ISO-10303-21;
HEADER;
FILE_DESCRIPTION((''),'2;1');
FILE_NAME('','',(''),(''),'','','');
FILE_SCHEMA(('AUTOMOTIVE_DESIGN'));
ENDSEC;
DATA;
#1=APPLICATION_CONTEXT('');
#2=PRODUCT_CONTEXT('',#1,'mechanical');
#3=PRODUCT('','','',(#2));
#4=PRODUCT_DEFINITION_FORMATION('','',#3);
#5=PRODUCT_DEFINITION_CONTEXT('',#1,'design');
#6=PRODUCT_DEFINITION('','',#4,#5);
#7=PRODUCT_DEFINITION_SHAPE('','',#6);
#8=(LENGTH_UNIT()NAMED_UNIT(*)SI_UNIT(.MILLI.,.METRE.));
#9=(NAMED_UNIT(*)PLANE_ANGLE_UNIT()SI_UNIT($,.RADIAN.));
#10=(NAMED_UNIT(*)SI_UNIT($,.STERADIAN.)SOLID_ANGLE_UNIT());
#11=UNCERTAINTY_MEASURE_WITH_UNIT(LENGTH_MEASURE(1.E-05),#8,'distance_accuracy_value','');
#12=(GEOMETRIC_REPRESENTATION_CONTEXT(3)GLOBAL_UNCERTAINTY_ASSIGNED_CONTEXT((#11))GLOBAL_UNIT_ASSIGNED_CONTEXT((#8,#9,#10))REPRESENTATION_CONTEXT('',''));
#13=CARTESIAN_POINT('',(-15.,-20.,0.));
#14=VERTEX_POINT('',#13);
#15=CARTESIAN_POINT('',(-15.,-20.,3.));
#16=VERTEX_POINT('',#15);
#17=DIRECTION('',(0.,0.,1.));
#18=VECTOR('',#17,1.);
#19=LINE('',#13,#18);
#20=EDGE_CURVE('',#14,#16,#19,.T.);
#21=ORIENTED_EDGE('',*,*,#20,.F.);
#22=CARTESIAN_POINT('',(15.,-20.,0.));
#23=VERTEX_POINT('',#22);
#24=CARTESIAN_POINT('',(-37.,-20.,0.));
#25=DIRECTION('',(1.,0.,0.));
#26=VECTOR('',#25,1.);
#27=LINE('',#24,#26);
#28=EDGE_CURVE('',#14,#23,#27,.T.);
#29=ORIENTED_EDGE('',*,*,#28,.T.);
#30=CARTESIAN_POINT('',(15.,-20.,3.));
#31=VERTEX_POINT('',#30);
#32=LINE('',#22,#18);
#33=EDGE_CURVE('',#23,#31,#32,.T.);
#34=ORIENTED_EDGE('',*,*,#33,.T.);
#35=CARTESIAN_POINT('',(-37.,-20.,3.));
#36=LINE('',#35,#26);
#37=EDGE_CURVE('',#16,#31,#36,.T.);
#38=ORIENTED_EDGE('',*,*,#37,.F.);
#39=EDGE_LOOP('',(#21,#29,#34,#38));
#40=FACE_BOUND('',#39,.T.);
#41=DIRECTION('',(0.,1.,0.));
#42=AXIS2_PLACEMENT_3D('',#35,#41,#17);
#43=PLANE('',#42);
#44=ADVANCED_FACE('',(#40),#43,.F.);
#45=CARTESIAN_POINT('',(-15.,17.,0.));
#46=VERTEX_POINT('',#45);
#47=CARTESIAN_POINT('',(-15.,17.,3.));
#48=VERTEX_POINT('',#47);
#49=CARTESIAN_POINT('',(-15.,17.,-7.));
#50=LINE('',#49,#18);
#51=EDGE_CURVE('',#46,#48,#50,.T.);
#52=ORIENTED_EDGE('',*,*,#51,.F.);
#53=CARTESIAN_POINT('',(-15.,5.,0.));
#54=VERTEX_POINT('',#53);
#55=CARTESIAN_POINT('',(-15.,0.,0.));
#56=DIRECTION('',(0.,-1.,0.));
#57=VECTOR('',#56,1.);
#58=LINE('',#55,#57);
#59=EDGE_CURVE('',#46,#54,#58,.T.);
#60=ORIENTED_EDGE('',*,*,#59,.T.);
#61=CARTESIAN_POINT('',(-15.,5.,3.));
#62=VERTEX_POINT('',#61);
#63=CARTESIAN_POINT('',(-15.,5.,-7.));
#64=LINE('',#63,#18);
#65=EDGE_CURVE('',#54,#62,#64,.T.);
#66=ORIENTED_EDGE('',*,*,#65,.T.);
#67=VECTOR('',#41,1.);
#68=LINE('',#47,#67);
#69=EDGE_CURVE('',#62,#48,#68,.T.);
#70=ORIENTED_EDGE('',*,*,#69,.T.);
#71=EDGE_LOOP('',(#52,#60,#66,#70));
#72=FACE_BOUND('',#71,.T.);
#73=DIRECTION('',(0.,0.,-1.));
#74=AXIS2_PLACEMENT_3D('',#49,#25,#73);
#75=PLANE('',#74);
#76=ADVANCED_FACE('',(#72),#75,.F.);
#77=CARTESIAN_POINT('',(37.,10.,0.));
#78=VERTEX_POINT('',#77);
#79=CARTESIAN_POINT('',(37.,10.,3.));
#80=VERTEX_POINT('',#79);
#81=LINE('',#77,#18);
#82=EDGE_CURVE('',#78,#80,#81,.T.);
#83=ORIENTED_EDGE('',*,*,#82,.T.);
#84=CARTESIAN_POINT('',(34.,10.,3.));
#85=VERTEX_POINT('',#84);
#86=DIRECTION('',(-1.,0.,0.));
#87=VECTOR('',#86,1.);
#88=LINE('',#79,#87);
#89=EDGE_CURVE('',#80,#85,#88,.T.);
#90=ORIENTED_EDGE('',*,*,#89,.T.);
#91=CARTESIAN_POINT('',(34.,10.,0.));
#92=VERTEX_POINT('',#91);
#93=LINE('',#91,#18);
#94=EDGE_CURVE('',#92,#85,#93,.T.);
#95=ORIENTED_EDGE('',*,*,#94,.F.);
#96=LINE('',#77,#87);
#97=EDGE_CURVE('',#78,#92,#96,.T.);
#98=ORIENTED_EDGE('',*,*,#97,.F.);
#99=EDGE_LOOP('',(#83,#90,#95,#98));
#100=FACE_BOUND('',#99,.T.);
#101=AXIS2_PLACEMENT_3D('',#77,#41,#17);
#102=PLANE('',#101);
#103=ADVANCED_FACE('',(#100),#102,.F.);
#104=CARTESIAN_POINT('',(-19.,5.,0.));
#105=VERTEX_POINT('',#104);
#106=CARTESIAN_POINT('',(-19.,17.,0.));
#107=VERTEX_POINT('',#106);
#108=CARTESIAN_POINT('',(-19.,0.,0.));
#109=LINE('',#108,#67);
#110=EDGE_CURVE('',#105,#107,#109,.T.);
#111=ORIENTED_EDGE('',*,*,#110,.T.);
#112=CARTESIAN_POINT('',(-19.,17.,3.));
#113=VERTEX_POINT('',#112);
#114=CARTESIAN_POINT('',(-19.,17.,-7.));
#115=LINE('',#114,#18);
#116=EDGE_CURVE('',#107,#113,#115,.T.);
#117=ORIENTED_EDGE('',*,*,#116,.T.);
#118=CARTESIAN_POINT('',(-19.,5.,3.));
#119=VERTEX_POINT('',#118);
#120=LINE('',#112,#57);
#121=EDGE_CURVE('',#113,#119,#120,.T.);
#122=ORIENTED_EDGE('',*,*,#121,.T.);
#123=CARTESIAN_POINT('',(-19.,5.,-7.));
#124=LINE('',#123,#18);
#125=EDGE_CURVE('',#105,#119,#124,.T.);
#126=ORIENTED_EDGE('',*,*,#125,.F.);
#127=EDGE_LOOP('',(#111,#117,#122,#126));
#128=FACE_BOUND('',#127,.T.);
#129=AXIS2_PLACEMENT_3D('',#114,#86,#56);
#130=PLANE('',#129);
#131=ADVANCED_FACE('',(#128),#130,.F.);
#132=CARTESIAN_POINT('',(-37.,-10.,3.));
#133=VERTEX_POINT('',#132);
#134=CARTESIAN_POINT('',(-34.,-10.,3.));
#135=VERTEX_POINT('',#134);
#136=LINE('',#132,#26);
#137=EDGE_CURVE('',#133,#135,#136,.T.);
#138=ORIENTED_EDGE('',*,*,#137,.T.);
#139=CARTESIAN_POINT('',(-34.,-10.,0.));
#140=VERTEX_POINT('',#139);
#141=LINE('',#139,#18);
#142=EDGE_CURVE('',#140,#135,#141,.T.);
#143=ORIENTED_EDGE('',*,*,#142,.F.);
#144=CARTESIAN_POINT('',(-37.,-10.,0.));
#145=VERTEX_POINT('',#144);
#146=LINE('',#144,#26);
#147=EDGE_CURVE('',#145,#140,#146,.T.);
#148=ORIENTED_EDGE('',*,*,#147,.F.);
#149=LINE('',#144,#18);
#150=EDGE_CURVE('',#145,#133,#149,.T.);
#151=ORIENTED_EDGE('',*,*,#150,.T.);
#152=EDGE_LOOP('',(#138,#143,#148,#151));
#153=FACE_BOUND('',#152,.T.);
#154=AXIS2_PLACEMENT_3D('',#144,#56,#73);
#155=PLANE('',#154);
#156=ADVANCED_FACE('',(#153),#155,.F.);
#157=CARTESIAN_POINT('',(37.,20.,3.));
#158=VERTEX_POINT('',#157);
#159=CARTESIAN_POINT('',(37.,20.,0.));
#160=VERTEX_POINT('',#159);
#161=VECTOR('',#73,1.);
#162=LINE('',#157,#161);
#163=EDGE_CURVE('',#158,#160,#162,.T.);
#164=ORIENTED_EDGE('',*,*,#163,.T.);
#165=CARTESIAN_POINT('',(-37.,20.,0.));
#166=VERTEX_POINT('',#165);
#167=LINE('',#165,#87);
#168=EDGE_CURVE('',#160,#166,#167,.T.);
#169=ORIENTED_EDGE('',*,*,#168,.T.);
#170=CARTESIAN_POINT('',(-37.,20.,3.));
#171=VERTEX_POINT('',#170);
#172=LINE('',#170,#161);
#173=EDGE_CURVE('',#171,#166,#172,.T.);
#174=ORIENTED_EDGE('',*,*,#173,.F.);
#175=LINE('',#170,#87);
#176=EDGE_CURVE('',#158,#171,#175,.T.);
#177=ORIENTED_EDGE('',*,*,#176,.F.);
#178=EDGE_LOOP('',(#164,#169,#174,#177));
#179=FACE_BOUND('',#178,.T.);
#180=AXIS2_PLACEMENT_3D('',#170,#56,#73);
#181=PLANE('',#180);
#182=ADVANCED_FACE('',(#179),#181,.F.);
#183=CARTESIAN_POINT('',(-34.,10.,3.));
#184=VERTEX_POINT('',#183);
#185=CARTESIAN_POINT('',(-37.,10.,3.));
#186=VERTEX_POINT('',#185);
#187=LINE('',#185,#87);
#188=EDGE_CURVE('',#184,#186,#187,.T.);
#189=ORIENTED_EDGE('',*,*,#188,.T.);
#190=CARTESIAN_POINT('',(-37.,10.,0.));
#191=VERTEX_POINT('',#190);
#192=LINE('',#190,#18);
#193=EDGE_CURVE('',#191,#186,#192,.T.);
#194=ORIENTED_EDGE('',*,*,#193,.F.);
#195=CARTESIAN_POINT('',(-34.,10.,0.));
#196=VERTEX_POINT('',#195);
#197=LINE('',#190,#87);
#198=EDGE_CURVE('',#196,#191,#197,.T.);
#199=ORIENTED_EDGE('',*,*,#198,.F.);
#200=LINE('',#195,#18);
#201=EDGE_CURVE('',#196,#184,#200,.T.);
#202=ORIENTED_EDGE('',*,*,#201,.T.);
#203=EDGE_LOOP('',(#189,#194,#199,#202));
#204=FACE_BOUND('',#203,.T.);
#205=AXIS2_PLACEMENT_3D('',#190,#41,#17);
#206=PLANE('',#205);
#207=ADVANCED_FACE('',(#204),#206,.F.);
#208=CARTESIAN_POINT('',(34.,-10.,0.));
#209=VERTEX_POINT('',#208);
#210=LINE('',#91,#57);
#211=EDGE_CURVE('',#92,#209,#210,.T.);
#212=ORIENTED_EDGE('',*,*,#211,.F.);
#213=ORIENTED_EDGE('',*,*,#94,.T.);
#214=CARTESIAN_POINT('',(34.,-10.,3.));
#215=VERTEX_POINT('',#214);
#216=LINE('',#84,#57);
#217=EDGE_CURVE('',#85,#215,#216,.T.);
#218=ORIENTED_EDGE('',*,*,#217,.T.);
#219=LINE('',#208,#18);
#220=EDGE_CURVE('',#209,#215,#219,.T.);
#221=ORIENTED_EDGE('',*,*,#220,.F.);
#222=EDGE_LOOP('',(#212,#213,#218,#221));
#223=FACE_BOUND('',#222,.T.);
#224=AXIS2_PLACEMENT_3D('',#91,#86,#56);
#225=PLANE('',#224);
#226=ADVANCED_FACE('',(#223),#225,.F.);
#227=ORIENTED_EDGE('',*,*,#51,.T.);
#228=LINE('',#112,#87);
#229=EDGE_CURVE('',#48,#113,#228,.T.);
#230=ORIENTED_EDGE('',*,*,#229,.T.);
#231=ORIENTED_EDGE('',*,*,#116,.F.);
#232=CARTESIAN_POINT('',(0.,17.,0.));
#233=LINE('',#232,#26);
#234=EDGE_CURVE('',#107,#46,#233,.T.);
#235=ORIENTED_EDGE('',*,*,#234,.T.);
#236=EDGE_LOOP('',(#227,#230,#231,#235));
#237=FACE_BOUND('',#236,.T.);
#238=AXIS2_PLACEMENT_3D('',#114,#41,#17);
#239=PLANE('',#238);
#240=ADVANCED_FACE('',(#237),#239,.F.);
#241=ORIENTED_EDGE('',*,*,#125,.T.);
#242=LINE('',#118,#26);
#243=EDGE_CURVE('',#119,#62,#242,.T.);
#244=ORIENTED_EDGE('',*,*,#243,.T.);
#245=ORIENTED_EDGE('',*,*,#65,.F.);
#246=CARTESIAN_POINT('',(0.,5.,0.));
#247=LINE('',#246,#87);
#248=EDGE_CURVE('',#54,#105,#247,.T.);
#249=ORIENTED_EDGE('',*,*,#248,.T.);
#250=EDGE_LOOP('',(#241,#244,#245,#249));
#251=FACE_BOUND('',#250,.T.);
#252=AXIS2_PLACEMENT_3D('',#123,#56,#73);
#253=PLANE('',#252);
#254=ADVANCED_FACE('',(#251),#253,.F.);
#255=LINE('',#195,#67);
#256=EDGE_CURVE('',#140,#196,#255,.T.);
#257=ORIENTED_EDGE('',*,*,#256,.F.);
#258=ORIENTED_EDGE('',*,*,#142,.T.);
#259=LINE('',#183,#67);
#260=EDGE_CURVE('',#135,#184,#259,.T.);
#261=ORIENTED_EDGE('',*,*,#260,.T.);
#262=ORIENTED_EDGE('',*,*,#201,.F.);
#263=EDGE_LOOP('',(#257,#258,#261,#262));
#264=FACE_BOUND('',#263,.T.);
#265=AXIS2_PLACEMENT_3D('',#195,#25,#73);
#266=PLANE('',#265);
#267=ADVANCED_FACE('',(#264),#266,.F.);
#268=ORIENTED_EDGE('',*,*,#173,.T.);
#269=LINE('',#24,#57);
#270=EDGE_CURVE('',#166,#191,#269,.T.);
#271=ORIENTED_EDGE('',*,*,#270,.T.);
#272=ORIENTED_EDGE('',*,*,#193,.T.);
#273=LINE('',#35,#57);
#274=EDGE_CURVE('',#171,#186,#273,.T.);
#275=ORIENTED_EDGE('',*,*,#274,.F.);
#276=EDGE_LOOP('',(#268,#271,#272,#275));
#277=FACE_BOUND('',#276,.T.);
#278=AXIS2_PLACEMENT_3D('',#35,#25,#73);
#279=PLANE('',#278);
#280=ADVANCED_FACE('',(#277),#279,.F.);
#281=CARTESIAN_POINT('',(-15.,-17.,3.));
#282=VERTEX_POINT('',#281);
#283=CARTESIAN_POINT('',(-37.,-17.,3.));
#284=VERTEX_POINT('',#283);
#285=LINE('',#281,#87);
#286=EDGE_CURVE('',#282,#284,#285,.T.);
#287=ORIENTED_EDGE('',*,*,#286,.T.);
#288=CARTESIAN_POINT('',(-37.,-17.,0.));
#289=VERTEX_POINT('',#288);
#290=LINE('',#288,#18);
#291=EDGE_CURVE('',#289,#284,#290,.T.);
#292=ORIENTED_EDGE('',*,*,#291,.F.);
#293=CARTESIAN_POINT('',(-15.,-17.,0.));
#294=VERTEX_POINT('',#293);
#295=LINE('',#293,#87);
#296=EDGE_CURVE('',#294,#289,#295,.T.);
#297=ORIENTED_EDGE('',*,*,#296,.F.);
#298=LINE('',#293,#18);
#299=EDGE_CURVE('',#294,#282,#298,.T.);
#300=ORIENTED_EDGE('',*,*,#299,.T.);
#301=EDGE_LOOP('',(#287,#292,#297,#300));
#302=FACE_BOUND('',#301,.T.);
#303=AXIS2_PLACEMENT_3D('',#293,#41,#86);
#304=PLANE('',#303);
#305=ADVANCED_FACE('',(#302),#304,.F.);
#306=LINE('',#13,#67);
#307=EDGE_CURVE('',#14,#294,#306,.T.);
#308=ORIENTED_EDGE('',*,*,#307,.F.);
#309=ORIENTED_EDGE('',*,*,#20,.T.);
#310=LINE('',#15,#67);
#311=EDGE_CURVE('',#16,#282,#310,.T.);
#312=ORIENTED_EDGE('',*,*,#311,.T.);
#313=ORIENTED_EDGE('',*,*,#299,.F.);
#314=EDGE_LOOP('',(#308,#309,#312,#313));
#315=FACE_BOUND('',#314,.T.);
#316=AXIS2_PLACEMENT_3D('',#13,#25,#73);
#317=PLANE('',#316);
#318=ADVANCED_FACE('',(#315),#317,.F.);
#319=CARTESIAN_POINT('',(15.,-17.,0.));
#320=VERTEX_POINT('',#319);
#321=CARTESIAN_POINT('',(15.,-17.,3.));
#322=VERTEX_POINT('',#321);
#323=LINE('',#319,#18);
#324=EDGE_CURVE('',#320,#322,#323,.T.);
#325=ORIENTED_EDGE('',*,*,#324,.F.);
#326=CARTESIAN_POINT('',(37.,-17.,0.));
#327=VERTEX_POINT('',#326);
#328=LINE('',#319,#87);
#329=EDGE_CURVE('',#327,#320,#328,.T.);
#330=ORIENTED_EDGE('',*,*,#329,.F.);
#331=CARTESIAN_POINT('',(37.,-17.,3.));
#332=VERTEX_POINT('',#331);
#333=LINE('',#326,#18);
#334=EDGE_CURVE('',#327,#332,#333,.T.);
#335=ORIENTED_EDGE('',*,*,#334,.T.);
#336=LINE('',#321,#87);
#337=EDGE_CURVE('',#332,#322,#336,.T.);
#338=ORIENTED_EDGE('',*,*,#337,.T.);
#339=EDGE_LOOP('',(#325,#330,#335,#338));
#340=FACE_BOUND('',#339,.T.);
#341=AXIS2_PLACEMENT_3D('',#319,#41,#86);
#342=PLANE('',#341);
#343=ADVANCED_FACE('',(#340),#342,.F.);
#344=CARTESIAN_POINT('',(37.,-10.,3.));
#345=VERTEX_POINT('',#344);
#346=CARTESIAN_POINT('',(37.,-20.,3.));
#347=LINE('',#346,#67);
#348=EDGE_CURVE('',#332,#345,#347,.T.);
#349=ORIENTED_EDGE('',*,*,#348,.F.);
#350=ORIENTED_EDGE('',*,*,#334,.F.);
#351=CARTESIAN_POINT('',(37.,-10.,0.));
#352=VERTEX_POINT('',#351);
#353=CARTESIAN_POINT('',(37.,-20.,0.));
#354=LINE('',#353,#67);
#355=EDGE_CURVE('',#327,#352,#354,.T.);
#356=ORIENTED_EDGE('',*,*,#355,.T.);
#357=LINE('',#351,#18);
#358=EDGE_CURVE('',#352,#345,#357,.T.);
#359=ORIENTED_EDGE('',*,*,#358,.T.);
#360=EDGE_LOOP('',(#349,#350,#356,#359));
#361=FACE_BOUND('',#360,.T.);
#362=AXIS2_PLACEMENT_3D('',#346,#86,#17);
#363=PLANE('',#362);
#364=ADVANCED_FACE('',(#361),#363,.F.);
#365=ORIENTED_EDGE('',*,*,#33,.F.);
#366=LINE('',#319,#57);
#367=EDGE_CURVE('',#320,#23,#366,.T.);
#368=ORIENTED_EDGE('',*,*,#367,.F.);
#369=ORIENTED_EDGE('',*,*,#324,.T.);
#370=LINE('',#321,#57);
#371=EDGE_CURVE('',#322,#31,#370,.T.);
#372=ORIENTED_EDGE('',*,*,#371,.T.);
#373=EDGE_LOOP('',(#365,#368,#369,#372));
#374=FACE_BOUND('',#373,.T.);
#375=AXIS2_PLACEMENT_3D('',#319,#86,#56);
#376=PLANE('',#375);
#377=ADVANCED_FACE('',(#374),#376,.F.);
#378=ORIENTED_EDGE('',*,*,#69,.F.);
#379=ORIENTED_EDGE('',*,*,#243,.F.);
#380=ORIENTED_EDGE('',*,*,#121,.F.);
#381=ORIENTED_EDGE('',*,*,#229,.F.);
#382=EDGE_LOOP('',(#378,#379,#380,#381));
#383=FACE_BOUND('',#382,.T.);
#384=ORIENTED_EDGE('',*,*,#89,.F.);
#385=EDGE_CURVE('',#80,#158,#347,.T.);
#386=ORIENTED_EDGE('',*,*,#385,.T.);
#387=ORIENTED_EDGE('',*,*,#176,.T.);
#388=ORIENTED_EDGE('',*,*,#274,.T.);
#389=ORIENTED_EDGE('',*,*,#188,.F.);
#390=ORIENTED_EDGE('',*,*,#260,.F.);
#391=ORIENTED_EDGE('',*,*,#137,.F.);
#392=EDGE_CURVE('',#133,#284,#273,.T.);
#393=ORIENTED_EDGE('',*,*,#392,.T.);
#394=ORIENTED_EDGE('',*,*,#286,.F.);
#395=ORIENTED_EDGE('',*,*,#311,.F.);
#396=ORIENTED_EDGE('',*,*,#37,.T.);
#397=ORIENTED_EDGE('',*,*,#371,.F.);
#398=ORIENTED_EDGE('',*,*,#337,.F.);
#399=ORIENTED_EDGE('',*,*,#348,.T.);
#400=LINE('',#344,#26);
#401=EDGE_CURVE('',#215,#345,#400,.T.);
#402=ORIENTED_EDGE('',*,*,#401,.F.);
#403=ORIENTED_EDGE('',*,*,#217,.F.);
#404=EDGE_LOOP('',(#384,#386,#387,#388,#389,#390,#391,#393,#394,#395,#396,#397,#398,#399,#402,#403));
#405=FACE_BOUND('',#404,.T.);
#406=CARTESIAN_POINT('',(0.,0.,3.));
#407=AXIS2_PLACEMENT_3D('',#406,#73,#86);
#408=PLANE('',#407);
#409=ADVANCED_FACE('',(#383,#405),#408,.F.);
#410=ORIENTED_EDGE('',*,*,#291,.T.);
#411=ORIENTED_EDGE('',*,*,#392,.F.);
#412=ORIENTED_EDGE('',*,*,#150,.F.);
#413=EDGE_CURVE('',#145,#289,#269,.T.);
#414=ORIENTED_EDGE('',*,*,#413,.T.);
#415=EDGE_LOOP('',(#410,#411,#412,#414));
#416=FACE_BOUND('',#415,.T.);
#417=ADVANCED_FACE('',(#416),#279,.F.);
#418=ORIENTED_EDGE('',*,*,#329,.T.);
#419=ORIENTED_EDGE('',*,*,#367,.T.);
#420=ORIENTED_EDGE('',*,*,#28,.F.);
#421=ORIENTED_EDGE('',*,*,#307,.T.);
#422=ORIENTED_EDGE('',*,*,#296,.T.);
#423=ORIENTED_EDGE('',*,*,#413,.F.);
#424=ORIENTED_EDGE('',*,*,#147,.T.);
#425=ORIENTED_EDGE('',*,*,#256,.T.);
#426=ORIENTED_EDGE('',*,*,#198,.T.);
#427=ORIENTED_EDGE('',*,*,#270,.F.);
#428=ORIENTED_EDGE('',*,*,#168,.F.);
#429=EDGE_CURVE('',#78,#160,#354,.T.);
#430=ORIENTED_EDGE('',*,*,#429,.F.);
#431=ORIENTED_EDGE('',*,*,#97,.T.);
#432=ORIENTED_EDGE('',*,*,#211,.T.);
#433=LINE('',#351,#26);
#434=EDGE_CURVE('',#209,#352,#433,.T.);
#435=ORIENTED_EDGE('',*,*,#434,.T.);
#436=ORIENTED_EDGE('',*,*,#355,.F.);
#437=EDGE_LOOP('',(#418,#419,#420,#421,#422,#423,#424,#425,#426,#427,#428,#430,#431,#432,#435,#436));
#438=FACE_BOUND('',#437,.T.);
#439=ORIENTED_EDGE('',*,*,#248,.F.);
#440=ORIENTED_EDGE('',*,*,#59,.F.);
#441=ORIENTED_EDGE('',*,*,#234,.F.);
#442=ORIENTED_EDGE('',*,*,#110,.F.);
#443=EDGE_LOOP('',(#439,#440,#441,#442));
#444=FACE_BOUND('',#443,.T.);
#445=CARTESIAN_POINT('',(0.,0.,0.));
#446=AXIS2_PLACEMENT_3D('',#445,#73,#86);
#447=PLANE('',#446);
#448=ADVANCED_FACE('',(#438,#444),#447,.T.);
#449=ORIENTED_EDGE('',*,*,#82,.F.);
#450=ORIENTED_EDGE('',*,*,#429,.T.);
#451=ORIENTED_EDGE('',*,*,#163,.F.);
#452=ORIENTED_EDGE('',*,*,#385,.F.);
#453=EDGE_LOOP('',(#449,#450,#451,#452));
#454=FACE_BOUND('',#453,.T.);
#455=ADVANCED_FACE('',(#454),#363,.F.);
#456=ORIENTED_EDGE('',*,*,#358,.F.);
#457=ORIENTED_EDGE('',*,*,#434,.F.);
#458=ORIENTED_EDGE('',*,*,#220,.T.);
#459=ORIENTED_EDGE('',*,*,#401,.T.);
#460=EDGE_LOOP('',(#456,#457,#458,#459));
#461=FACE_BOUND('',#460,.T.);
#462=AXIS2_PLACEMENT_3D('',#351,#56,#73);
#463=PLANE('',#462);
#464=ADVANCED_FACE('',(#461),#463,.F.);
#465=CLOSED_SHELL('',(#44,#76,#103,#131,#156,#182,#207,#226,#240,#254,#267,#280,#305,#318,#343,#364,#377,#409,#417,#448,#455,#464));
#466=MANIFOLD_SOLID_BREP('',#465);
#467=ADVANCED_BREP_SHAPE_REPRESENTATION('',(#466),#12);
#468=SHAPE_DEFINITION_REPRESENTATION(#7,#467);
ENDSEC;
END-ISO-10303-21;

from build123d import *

# Parameters (mm, degrees)
ESBO_O1_W                = 74
ESBO_O1_H                = 40
RESSALTO_EXTRUS_O1_DEPTH = 3
ESBO_O2_W                = 22
ESBO_O2_H                = 3
ESBO_O2_W_2              = 3
ESBO_O2_H_2              = 20
CORTE_EXTRUS_O1_DEPTH    = 3
ESBO_O3_W                = 4
ESBO_O3_H                = 12
CORTE_EXTRUS_O2_DEPTH    = 10


with BuildPart() as part:
    # Esboço1 → Ressalto-extrusão1 (new body)
    with BuildSketch(Plane.XY):
        Rectangle(ESBO_O1_W, ESBO_O1_H)
    extrude(amount=RESSALTO_EXTRUS_O1_DEPTH)

    # Esboço2 → Corte-extrusão1 (cut)
    with BuildSketch(Plane.XY.offset(3)):
        with Locations((-26, -18.5)):
            Rectangle(ESBO_O2_W, ESBO_O2_H)
        with Locations((26, -18.5)):
            Rectangle(ESBO_O2_W, ESBO_O2_H)
        with Locations((-35.5, 0)):
            Rectangle(ESBO_O2_W_2, ESBO_O2_H_2)
        with Locations((35.5, 0)):
            Rectangle(ESBO_O2_W_2, ESBO_O2_H_2)
    extrude(amount=-CORTE_EXTRUS_O1_DEPTH, mode=Mode.SUBTRACT)

    # Esboço3 → Corte-extrusão2 (cut)
    with BuildSketch(Plane.XY.offset(3)):
        with Locations((-17, 11)):
            Rectangle(ESBO_O3_W, ESBO_O3_H)
    extrude(amount=-CORTE_EXTRUS_O2_DEPTH, mode=Mode.SUBTRACT)


solid = part.part
